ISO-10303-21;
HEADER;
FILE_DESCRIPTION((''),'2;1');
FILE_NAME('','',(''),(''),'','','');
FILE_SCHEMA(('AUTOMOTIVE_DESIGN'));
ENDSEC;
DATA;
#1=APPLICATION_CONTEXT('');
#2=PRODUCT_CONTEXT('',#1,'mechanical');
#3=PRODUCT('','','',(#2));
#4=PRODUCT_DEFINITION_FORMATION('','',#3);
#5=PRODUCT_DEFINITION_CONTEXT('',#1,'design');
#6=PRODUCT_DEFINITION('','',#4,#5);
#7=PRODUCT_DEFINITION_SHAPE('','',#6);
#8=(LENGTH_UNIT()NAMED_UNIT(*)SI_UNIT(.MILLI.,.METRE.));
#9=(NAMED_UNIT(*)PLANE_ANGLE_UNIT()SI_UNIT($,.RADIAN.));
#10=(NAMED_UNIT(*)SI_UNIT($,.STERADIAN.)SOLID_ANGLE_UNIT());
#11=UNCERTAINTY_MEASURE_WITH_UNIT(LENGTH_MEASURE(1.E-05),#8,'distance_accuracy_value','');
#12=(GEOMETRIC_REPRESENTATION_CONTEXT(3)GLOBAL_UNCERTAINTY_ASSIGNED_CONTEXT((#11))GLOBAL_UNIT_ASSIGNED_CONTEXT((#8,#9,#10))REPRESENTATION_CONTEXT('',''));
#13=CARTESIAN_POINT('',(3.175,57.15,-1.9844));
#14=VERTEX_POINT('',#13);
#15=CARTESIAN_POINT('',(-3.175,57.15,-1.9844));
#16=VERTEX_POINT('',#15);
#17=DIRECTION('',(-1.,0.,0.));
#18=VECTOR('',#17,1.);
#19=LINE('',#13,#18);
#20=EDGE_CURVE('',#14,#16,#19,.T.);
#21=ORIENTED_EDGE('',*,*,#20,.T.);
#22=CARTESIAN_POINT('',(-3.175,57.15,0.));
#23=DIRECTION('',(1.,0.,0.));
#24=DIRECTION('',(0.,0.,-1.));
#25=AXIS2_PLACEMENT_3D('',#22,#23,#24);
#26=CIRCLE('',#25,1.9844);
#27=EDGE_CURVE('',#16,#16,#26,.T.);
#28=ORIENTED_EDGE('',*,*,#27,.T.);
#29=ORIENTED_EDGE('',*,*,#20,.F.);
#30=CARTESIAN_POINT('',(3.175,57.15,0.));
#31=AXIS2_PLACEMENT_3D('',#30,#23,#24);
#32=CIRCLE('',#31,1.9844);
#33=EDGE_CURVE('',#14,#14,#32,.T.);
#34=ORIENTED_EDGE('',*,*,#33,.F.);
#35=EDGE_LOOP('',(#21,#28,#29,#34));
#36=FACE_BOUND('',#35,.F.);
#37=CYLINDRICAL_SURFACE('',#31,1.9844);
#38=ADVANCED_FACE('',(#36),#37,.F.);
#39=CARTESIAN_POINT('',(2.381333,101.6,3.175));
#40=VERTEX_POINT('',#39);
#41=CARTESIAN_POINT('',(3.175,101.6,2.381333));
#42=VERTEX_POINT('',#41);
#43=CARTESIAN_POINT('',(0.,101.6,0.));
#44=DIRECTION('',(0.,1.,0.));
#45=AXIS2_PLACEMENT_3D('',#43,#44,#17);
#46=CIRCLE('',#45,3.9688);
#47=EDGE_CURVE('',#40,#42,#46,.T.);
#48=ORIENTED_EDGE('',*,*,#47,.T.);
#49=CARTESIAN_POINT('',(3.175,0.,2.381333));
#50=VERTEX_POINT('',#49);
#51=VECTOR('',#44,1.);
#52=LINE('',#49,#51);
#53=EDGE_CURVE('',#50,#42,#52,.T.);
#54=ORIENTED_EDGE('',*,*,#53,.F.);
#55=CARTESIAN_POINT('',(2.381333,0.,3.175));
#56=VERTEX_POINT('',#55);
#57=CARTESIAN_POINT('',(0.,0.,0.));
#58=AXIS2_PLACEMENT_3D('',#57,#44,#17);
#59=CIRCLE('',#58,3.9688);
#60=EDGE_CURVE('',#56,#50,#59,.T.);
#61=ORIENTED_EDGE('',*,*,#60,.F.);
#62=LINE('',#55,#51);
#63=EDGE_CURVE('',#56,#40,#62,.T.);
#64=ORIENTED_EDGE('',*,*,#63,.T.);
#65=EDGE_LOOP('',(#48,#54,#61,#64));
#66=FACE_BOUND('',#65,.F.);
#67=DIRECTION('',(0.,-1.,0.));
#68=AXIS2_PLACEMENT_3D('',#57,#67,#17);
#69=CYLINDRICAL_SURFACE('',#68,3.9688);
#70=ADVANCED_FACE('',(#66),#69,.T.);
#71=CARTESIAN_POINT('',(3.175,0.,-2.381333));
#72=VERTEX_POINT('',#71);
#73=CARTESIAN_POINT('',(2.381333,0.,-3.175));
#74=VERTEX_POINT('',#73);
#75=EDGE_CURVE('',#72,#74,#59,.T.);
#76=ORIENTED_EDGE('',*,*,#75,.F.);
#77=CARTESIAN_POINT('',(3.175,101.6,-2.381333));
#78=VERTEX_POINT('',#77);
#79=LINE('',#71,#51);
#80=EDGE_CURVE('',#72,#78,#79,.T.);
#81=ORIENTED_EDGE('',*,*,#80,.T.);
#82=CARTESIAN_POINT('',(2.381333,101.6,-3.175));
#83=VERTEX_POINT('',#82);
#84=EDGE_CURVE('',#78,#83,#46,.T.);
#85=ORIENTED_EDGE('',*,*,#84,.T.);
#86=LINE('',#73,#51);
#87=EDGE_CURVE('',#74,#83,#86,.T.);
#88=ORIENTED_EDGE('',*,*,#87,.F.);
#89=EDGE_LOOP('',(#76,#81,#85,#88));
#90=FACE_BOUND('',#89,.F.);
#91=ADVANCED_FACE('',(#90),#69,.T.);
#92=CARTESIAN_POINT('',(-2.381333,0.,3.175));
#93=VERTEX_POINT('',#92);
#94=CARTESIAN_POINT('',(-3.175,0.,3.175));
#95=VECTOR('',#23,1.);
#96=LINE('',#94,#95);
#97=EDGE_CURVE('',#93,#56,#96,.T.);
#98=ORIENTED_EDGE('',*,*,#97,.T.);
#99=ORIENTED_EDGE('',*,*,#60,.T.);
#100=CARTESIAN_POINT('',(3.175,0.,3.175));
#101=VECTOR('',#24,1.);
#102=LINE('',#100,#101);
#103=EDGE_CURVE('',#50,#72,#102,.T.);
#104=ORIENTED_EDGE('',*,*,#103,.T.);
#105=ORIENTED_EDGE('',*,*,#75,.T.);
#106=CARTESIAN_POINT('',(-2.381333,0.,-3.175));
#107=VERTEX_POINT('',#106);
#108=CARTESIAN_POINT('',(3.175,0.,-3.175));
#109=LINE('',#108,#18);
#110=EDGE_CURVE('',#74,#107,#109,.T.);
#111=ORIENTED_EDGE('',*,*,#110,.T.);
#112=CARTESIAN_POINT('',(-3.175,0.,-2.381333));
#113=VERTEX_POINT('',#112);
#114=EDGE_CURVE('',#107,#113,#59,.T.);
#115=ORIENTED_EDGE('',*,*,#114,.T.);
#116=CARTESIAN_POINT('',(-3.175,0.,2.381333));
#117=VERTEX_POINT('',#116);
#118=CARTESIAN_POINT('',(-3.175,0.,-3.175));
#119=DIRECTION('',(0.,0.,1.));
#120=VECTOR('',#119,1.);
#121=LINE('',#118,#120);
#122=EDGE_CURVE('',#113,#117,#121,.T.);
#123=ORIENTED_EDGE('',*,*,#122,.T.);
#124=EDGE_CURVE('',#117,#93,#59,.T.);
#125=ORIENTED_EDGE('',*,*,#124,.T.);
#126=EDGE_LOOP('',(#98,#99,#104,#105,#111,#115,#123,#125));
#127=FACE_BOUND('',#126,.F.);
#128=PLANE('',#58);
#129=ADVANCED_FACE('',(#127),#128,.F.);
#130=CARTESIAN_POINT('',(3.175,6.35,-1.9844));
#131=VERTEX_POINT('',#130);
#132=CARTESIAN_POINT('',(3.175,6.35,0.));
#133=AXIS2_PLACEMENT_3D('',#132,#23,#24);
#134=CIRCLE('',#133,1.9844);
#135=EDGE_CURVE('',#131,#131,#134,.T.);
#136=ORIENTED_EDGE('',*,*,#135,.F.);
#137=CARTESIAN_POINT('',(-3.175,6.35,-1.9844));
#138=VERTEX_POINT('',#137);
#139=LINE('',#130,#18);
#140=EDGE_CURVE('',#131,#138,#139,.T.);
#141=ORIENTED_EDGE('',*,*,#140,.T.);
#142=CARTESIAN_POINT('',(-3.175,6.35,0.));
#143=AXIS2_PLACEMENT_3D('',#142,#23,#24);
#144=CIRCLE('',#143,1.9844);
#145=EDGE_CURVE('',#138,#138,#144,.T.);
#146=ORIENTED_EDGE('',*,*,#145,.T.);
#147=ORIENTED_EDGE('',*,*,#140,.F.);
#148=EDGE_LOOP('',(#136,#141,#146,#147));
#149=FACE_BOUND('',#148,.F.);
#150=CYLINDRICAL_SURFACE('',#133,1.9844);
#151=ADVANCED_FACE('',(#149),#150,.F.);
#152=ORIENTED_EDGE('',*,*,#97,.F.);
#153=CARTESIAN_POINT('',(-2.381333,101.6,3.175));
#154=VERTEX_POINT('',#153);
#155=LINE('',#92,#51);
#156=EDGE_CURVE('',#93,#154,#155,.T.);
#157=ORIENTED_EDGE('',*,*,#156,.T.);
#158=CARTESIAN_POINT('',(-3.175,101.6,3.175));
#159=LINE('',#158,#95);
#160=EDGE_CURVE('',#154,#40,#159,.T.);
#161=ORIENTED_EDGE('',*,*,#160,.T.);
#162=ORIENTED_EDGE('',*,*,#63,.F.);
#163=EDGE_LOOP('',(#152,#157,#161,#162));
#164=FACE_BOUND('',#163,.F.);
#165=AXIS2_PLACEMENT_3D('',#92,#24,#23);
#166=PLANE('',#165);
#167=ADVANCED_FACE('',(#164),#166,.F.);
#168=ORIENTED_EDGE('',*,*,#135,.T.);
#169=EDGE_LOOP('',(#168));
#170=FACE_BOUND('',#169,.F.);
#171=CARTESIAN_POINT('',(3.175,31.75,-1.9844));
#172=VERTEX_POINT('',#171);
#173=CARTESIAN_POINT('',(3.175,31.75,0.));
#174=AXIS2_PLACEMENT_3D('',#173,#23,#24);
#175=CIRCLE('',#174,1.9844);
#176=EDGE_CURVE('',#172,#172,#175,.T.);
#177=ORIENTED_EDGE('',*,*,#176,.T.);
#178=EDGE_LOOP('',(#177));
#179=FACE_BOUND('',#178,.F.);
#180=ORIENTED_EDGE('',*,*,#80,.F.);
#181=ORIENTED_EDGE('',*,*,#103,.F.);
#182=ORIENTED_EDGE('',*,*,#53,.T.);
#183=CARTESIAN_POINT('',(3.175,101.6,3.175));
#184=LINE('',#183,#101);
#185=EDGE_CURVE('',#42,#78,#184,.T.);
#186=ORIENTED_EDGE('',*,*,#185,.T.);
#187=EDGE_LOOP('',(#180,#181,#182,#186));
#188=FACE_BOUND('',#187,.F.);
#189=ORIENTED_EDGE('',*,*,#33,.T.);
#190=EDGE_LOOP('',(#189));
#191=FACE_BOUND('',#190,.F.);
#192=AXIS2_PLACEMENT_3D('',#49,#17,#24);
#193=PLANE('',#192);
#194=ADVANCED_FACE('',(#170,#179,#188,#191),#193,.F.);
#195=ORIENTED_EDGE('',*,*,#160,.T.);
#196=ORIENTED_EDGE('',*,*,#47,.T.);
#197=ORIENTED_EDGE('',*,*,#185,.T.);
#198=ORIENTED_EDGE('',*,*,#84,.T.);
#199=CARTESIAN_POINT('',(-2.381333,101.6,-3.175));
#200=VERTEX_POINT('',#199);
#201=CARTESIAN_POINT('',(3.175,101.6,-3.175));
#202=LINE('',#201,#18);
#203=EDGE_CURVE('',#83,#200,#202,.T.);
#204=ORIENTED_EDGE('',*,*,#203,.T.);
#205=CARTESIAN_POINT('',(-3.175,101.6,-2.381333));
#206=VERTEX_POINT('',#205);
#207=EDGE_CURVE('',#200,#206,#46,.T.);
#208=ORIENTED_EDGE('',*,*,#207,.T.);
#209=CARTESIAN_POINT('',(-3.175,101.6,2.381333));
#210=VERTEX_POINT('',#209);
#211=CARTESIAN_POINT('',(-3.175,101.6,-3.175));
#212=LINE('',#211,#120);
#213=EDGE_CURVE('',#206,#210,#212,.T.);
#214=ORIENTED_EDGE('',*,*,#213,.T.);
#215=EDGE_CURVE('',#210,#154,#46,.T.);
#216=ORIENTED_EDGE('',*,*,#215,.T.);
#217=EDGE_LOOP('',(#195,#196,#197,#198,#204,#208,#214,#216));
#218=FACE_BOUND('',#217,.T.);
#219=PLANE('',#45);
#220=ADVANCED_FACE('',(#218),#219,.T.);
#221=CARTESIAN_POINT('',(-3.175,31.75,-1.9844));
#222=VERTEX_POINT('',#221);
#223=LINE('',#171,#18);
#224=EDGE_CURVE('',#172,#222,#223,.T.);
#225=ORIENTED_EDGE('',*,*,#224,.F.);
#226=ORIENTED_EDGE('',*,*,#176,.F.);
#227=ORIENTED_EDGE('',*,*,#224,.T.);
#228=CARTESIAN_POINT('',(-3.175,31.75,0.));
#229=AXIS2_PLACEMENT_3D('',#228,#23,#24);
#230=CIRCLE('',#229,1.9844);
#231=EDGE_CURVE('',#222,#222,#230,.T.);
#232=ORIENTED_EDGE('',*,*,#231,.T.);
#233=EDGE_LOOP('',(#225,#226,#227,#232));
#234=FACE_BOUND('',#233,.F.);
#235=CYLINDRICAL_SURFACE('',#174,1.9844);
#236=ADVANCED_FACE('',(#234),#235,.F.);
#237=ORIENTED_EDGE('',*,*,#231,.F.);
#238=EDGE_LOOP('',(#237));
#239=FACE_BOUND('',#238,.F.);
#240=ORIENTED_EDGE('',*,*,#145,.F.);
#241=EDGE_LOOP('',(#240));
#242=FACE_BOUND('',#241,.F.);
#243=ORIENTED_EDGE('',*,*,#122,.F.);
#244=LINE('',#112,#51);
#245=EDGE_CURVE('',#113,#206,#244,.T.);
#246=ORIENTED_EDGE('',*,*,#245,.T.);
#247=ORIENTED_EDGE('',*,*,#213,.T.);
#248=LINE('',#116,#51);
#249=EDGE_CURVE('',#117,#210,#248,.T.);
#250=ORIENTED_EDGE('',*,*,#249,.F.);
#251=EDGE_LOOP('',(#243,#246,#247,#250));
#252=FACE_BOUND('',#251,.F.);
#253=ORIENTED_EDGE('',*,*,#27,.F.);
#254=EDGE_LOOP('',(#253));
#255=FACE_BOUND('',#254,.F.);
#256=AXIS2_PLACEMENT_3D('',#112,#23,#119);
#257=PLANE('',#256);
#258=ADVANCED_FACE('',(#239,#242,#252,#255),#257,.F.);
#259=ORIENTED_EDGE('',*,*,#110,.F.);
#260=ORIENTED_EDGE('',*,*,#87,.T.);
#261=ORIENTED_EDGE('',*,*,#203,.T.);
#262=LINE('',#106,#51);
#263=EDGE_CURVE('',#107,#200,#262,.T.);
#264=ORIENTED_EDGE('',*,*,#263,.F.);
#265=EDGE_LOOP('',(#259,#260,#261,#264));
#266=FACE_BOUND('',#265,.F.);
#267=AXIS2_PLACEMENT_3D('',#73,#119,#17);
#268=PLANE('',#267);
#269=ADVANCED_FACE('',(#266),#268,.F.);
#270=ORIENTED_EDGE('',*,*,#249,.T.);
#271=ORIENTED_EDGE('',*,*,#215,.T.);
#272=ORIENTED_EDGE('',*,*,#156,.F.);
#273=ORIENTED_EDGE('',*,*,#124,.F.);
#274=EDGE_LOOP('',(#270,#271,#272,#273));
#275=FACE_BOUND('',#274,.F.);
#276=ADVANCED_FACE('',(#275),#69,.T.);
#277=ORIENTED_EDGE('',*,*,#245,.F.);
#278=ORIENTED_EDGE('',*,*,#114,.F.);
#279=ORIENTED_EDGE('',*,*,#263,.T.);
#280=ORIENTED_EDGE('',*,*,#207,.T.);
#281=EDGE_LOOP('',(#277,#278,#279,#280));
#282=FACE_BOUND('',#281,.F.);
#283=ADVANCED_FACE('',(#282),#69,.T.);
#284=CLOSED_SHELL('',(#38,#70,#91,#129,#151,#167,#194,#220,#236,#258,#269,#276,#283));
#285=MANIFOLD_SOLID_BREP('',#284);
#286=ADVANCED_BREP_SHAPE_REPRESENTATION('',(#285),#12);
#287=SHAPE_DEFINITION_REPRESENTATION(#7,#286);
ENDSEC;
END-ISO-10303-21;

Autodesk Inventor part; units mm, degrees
ref_plane "YZ Plane" through (0, 0, 0) normal (1, 0, 0) x (0, 1, 0)
ref_plane "XZ Plane" through (0, 0, 0) normal (0, 1, 0) x (-1, 0, 0)
ref_plane "XY Plane" through (0, 0, 0) normal (0, 0, 1) x (1, 0, 0)
sketch "Sketch1" plane through (0, 0, 0) normal (0, 1, 0) x (-1, 0, 0)
  line L0 (-3.175, -3.175) -> (3.175, -3.175)
  line L1 (3.175, -3.175) -> (3.175, 3.175)
  line L2 (3.175, 3.175) -> (-3.175, 3.175)
  line L3 (-3.175, 3.175) -> (-3.175, -3.175)
  line L4 (-3.175, -3.175) -> (3.175, 3.175) construction
  line L5 (3.175, -3.175) -> (-3.175, 3.175) construction
  circle A0 centre (0, 0) radius 3.9688
  point P0 (2.3812, -3.175)
  point P1 (3.175, -2.3812)
  point P2 (3.175, 2.3812)
  point P3 (2.3812, 3.175)
  point P4 (-2.3812, 3.175)
  point P5 (-3.175, 2.3812)
  point P6 (-3.175, -2.3812)
  point P7 (-2.3812, -3.175)
  dimension "d0" = 6.35
  dimension "d1" = 6.35
  dimension "d2" = 7.9375
extrude "Extrusion1" add sketch "Sketch1" along normal blind 101.6 contours A0 L3 L2 L1 L0
sketch "Sketch2" plane through (3.175, 0, 2.3812) normal (1, 0, 0) x (0, 0, -1)
  circle A0 centre (2.3812, 6.35) radius 1.9844
  line L0 (0, 0) -> (4.7625, 0) projected
  line L1 (-0.7938, 0) -> (-0.7938, 101.6) projected
  circle A1 centre (2.3812, 19.05) radius 1.9844
  circle A2 centre (2.3812, 31.75) radius 1.9844
  circle A3 centre (2.3812, 44.45) radius 1.9844
  circle A4 centre (2.3812, 57.15) radius 1.9844
  point P0 (2.3812, 0)
  dimension "d5" = 3.9688
  dimension "d6" = 6.35
  dimension "d9" = 12.7
extrude "Extrusion2" cut sketch "Sketch2" against normal blind 101.6 contours A0 | A2 | A4
properties part number "assist" material "Stainless Steel"
